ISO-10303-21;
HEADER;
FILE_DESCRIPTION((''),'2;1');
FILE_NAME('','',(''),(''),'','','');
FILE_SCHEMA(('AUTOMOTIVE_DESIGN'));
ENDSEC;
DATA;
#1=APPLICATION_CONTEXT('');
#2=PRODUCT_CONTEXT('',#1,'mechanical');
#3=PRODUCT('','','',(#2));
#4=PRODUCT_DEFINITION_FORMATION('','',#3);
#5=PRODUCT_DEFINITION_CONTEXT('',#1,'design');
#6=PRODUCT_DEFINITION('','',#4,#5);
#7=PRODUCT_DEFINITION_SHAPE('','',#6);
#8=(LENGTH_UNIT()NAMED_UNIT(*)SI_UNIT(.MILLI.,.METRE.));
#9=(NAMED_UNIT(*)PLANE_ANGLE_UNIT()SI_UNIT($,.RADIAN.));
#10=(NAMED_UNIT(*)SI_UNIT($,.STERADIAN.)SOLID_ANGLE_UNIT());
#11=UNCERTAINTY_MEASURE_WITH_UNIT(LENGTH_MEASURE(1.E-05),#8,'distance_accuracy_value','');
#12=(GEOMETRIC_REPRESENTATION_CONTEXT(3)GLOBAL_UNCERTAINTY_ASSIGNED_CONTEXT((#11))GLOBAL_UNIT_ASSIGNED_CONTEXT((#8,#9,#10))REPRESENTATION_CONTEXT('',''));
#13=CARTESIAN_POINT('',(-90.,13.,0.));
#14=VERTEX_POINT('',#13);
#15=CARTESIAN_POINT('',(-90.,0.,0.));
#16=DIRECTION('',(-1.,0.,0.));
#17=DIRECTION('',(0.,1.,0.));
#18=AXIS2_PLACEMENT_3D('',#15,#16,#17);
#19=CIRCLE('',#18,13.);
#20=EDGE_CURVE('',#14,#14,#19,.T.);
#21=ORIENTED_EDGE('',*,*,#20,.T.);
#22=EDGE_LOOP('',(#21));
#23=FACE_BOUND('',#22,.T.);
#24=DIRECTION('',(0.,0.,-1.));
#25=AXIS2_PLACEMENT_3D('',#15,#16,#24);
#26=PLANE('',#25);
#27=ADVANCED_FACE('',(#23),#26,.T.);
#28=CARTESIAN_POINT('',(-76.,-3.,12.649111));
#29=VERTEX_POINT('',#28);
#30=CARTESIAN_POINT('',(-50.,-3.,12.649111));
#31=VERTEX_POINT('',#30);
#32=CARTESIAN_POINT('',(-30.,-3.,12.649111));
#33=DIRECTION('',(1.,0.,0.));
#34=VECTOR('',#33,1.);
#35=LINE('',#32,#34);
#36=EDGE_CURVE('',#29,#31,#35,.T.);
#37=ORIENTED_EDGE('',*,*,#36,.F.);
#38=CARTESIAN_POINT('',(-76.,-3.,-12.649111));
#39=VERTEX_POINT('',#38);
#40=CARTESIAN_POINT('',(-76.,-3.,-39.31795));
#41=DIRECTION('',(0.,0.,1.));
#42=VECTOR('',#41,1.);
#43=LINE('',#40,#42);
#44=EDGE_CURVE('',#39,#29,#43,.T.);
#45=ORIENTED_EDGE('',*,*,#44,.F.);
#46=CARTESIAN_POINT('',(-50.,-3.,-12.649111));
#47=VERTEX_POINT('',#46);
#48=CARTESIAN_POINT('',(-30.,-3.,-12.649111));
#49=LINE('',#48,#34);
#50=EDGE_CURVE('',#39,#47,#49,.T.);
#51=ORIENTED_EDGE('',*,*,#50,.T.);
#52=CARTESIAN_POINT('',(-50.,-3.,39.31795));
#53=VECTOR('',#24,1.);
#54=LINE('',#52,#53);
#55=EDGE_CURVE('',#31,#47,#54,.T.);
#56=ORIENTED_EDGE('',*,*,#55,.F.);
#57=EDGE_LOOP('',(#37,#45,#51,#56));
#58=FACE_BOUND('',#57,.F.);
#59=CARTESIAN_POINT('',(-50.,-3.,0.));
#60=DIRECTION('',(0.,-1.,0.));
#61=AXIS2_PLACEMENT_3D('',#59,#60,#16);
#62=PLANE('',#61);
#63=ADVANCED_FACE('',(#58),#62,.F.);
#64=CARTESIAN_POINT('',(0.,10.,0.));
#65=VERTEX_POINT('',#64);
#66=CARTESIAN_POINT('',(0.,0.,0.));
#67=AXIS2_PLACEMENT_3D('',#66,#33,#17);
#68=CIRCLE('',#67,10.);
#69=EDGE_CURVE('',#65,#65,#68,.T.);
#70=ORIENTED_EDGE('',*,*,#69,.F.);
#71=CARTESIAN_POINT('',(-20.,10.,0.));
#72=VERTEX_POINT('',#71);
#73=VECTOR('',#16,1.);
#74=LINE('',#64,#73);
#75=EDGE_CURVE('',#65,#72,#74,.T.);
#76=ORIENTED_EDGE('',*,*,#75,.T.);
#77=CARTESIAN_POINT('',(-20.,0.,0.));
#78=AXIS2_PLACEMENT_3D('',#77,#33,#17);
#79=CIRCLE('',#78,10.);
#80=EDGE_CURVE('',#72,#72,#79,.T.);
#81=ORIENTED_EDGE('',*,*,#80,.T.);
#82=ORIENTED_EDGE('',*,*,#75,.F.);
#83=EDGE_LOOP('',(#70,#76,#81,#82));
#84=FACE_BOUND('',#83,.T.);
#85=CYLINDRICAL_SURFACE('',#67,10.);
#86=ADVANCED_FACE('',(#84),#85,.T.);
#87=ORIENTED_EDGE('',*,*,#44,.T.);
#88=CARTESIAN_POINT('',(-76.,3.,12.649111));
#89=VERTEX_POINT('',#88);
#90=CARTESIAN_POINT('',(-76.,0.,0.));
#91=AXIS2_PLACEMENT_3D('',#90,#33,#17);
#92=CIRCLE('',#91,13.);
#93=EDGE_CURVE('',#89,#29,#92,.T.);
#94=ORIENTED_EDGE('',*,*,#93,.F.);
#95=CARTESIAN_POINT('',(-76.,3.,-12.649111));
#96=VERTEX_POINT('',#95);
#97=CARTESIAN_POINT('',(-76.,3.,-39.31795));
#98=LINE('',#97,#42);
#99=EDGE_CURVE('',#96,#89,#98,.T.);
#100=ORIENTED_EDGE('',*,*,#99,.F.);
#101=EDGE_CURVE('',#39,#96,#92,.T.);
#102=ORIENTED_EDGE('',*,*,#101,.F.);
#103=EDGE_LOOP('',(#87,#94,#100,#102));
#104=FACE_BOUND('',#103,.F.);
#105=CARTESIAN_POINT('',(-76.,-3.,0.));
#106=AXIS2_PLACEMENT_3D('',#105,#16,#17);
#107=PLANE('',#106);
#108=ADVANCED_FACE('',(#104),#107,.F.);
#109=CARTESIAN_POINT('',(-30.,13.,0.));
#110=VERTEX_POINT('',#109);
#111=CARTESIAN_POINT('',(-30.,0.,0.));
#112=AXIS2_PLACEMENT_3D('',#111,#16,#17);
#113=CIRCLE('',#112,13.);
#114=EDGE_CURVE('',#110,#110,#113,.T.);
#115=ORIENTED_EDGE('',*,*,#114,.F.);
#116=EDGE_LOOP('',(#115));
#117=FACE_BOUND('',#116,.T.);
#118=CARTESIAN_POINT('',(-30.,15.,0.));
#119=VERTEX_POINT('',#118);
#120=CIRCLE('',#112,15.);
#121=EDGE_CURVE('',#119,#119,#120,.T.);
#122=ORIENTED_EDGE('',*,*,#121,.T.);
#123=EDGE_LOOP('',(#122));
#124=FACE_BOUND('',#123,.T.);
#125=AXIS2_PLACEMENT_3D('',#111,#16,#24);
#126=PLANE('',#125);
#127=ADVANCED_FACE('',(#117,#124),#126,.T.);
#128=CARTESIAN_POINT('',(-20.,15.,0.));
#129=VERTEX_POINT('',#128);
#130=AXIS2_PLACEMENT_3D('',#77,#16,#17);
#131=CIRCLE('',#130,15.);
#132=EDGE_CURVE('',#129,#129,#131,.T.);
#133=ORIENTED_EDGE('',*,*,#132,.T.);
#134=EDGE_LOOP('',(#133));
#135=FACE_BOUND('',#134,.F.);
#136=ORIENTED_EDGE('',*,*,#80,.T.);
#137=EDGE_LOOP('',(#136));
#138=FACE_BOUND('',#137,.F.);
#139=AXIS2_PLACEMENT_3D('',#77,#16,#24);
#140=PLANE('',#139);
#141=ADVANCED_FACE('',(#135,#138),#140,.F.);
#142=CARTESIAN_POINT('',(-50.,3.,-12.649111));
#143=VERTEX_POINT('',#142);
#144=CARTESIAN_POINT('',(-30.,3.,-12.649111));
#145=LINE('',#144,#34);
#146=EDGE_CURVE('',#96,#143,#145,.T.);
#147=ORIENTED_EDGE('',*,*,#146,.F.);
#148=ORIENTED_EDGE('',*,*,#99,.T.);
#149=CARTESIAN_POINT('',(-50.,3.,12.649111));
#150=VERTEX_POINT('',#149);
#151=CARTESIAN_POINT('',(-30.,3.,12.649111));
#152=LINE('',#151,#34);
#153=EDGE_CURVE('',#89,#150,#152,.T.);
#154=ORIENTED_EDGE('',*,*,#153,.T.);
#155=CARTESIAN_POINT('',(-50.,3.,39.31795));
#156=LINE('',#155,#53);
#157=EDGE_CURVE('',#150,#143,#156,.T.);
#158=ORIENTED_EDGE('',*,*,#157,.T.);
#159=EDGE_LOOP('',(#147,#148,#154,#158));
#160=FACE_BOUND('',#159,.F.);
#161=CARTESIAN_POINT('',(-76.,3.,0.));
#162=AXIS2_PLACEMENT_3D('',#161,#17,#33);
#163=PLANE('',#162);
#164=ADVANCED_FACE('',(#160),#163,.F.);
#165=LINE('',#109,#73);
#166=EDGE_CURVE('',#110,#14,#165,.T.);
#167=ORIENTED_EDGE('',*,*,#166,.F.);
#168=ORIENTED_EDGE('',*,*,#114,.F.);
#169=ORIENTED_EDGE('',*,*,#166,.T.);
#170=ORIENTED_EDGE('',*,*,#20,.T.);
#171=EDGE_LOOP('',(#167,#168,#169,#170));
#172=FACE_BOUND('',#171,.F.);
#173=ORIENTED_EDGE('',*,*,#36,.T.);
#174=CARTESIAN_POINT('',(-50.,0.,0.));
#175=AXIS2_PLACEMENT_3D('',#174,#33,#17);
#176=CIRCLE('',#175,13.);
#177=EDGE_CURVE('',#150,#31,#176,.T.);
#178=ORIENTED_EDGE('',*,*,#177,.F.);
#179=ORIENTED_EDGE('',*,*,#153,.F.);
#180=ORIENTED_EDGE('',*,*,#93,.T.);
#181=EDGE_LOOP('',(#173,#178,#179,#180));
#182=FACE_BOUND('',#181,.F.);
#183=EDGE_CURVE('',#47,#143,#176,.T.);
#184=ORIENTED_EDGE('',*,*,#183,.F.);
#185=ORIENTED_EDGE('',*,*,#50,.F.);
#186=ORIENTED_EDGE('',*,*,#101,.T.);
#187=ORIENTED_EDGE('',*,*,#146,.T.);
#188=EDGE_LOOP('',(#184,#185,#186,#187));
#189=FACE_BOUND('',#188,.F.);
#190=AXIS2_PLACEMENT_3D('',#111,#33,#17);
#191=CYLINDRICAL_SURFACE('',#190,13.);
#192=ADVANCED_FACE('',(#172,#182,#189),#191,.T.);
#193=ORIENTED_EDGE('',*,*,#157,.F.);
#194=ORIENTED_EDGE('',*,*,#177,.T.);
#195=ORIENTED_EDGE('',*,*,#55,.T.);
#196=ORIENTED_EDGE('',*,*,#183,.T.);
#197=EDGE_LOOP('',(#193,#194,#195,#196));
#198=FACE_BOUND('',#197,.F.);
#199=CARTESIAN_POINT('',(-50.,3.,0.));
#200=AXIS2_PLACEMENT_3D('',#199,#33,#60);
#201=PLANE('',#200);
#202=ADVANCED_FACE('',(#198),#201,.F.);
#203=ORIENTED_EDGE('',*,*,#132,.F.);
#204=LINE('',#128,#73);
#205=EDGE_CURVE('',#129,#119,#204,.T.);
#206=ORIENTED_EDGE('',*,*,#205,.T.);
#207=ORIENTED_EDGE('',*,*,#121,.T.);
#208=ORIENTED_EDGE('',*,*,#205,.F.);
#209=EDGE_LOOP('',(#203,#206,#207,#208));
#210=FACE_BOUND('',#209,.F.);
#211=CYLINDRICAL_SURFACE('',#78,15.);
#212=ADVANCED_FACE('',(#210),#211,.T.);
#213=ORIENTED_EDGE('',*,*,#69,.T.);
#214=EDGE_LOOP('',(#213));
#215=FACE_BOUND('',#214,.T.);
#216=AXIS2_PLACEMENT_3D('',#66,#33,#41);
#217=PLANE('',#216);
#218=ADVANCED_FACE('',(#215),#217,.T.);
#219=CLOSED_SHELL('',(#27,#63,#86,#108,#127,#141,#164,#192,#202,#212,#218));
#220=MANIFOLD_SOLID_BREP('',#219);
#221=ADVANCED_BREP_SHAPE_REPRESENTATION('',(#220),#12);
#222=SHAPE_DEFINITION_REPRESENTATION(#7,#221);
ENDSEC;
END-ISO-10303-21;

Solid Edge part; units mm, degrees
sketch "Sketch1" plane through (0, 0, 0) normal (1, 0, 0) x (0, 1, 0)
  circle A0 centre (0, 0) radius 10
extrude "Protrusion1" add sketch "Sketch1" against normal blind 20
sketch "Sketch2" plane through (-20, 0, 0) normal (-1, 0, 0) x (0, 1, 0)
  circle A0 centre (0, 0) radius 15
extrude "ExtrudedProtrusion_2" add sketch "Sketch2" along normal blind 10
sketch "Sketch3" plane through (-30, 0, 0) normal (-1, 0, 0) x (0, 1, 0)
  circle A0 centre (0, 0) radius 13
extrude "ExtrudedProtrusion_3" add sketch "Sketch3" along normal blind 60
sketch "Sketch4" plane through (0, 0, 0) normal (0, 0, 1) x (1, 0, 0)
  line L0 (-76, 3) -> (-50, 3)
  line L1 (-50, 3) -> (-50, -3)
  line L2 (-50, -3) -> (-76, -3)
  line L3 (-76, -3) -> (-76, 3)
  dimension "D1" = 26
  dimension "D2" = 6
  dimension "D3" = 20
extrude "ExtrudedCutout_1" cut sketch "Sketch4" along normal mid plane 78.6359
properties part number "2"
